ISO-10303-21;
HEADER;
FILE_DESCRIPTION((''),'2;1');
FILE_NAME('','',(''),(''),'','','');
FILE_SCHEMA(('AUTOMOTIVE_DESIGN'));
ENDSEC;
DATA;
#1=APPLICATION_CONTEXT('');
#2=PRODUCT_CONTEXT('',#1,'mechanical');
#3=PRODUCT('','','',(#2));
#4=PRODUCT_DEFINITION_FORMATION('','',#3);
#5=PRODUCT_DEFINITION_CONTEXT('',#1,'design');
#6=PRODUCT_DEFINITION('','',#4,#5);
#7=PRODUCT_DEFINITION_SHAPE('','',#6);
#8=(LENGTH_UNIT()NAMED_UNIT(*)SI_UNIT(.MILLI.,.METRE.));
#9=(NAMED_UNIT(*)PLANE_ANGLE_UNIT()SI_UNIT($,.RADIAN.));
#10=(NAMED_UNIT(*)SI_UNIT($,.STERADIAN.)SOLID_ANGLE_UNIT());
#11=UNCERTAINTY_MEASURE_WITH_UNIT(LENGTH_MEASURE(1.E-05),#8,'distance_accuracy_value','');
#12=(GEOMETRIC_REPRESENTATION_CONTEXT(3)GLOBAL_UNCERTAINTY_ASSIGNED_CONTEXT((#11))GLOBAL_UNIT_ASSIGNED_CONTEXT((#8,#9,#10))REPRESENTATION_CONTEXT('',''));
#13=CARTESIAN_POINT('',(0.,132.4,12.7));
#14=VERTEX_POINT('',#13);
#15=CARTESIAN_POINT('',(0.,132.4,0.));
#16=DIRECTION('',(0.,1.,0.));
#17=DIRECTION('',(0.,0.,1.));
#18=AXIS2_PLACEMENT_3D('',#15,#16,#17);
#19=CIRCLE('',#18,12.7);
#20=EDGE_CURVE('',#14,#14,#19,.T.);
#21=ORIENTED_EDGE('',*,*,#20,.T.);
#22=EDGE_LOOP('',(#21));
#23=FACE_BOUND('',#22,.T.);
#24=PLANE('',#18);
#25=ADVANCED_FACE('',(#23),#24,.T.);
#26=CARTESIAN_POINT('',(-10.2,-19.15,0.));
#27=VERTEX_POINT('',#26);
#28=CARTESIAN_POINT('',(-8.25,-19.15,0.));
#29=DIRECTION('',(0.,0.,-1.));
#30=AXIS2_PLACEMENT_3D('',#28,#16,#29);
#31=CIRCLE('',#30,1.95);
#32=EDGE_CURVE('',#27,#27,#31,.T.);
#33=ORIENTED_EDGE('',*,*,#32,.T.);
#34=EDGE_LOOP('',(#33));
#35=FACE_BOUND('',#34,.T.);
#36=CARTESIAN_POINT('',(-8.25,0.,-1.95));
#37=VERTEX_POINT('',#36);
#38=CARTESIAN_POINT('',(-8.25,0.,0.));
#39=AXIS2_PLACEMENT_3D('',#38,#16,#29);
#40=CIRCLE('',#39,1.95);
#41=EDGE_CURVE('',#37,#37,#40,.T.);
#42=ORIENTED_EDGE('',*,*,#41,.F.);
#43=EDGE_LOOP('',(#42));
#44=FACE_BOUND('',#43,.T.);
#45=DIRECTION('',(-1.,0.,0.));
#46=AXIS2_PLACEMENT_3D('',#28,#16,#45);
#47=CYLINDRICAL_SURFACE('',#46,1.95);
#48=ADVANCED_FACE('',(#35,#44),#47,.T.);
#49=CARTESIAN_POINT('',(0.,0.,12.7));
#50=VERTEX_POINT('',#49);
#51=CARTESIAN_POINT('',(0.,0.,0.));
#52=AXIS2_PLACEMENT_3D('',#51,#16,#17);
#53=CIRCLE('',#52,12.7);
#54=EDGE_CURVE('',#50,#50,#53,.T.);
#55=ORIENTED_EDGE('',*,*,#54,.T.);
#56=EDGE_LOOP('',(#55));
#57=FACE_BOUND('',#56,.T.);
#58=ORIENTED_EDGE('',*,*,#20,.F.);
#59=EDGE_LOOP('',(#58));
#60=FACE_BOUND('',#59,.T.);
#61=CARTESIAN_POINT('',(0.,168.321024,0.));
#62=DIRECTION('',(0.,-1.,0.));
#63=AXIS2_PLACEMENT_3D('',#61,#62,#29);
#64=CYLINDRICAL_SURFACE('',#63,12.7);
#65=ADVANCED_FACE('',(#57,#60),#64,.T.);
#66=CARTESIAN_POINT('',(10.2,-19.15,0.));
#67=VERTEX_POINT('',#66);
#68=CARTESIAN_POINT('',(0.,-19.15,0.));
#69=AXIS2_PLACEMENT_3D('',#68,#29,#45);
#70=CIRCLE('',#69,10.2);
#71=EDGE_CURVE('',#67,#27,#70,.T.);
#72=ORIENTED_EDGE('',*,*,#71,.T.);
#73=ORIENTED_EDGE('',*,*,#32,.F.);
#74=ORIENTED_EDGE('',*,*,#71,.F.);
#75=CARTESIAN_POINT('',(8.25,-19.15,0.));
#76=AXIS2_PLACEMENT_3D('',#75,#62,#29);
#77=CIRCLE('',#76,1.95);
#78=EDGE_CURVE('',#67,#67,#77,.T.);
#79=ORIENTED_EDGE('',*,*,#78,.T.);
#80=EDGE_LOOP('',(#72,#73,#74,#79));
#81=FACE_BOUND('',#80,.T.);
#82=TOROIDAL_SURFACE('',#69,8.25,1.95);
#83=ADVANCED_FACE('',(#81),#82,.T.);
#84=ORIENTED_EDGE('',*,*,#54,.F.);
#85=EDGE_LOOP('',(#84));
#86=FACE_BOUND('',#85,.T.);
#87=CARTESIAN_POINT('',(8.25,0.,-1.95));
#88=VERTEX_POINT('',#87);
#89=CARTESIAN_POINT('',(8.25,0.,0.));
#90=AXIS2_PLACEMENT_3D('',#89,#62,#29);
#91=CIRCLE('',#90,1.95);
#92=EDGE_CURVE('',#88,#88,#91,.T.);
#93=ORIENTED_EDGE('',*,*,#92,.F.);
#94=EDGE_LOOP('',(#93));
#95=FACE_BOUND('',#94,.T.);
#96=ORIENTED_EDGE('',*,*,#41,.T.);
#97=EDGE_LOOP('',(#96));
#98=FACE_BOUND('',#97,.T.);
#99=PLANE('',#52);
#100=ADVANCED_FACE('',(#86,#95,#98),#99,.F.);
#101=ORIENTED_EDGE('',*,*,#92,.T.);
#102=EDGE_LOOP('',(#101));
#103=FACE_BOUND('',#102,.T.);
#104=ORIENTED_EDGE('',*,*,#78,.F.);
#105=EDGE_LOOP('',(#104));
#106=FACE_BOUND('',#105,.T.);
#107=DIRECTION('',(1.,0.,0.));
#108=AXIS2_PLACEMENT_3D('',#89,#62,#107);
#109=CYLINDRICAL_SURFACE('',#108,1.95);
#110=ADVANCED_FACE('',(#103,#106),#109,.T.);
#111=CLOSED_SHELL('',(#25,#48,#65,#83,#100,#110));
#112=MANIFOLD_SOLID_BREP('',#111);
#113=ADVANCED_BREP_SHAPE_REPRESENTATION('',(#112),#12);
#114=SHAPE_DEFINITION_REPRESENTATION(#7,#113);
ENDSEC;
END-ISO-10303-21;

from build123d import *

# Parameters (mm, degrees)
SKETCH1_R           = 12.7
BOSS_EXTRUDE1_DEPTH = 132.4
SKETCH2_R           = 1.95


with BuildPart() as part:
    # Sketch1 → Boss-Extrude1 (new body)
    with BuildSketch(Plane(origin=(0, 0, 0), x_dir=(1, 0, 0), z_dir=(0, 1, 0))):
        with Locations(Location((0, 0, 0), (0, 0, 270))):
            Circle(SKETCH1_R)
    extrude(amount=BOSS_EXTRUDE1_DEPTH)

    # Sweep1: sweep along a path in Sketch3
    with BuildLine(Plane.XY) as sweep1_path:
        Line((8.25, 0), (8.25, -19.15))
        ThreePointArc((8.25, -19.15), (0, -27.4), (-8.25, -19.15))
        Line((-8.25, -19.15), (-8.25, 0))
    # Sketch2 → Sweep1 (sweep)
    with BuildSketch(Plane.XZ):
        with Locations((8.25, 0)):
            Circle(SKETCH2_R)
    sweep(path=sweep1_path.line)


solid = part.part
